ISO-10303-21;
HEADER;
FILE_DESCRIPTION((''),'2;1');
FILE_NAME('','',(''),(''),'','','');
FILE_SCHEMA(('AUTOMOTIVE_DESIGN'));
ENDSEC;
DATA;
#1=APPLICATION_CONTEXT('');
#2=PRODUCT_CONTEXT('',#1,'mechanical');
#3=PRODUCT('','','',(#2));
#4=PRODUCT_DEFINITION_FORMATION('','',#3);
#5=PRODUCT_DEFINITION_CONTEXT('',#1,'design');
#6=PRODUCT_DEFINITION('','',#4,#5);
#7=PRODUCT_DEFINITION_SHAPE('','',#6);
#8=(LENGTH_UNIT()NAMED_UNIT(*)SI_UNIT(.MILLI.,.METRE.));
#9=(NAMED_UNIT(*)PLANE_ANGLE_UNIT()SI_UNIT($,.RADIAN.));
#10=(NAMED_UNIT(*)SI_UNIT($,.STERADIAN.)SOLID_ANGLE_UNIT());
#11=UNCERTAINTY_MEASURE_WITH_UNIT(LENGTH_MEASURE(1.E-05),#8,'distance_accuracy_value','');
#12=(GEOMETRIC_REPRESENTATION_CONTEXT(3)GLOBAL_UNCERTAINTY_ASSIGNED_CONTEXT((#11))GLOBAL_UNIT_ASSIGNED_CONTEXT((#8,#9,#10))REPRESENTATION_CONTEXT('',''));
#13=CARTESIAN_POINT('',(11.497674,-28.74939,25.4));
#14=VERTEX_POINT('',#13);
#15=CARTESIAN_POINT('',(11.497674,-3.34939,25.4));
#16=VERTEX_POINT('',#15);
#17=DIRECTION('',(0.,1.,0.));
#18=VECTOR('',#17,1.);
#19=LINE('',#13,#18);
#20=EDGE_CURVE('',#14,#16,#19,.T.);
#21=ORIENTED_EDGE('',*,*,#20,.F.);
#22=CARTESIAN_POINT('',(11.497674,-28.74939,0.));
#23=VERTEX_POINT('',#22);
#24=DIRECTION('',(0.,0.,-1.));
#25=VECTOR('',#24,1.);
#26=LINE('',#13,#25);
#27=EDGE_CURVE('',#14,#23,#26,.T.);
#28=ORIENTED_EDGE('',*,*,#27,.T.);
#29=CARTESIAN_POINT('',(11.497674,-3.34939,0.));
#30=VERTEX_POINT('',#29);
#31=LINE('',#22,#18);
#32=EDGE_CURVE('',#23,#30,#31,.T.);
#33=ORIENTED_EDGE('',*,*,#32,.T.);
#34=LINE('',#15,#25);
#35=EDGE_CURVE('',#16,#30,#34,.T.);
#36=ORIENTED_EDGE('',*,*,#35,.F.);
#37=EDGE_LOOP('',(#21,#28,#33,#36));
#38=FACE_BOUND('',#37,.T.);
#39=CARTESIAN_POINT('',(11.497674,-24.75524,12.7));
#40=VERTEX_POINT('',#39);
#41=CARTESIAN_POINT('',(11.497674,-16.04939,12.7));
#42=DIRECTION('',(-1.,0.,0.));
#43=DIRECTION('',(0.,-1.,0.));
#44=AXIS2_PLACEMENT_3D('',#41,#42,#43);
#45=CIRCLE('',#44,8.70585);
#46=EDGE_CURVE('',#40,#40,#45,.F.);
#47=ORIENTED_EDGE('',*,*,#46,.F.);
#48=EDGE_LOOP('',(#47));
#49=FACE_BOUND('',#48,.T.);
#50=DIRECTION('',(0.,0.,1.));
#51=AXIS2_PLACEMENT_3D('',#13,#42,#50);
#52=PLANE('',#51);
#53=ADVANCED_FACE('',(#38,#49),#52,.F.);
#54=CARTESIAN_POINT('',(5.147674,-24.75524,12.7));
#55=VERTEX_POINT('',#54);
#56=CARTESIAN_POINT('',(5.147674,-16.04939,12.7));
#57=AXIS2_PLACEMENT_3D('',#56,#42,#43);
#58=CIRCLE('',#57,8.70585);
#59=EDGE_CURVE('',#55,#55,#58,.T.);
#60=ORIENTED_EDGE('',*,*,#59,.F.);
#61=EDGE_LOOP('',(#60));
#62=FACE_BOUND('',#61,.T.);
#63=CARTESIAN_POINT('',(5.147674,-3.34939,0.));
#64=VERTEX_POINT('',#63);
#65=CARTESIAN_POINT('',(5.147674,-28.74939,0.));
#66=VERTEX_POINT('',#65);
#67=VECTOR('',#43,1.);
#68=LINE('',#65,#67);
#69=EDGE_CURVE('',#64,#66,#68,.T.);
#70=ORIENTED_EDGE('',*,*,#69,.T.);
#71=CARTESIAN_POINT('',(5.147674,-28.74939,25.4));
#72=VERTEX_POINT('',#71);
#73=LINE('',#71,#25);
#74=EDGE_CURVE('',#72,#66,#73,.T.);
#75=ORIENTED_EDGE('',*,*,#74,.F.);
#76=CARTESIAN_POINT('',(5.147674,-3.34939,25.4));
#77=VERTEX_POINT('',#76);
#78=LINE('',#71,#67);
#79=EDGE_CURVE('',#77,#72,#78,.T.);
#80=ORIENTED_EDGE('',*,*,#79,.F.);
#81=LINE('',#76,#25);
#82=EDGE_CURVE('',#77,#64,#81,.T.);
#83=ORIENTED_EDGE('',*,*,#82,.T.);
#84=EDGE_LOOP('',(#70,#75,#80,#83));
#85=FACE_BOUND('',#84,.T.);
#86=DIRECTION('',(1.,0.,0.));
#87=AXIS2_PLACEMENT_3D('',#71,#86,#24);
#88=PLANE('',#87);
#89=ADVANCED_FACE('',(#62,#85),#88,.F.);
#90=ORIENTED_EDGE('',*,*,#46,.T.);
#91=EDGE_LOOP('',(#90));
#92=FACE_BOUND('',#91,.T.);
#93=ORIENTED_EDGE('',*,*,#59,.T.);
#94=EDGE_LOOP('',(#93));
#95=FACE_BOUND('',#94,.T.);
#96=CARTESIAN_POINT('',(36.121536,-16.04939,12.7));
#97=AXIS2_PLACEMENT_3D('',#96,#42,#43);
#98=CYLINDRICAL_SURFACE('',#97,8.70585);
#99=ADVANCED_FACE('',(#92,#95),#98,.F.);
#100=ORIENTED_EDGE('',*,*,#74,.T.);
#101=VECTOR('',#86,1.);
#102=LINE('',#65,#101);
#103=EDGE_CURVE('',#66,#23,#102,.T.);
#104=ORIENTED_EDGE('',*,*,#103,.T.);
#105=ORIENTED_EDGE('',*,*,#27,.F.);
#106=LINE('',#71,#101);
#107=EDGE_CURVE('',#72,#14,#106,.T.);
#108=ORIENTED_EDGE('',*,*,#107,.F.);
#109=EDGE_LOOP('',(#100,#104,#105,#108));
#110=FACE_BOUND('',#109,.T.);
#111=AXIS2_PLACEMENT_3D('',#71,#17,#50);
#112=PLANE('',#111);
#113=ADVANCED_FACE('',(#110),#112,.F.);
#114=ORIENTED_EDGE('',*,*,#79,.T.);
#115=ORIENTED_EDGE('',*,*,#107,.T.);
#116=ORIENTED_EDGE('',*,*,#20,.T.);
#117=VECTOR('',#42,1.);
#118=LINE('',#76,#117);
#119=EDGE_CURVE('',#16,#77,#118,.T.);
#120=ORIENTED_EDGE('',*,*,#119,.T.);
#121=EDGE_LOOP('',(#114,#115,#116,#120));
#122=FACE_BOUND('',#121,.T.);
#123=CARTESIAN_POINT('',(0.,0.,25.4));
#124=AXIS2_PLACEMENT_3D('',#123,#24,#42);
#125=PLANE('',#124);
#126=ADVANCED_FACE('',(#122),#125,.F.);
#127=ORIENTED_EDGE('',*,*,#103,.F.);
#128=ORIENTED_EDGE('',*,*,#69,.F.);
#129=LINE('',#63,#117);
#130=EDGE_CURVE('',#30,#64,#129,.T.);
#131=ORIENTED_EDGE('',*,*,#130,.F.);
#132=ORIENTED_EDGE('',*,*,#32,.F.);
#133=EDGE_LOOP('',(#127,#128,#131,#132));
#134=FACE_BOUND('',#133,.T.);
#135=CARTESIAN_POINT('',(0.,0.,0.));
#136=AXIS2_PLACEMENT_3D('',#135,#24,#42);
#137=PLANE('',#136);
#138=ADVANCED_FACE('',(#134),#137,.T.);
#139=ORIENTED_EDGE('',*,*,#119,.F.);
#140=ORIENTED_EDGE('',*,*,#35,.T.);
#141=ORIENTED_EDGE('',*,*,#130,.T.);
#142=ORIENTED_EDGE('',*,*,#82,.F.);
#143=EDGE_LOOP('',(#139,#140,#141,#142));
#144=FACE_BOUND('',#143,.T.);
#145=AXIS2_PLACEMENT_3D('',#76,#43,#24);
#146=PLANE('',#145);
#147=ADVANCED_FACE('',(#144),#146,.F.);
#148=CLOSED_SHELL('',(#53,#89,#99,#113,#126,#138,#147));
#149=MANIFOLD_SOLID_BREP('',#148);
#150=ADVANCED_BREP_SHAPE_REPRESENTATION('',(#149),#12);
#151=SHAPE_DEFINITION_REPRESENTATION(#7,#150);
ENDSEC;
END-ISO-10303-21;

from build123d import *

# Parameters (mm, degrees)
SKETCH1_W           = 6.35
SKETCH1_H           = 25.4
BOSS_EXTRUDE1_DEPTH = 25.4
SKETCH4_R           = 6.441586538
CUT_EXTRUDE1_DEPTH  = 6.35
CUT_EXTRUDE2_REACH  = 8.35
SKETCH3_R           = 8.70585


with BuildPart() as part:
    # Sketch1 → Boss-Extrude1 (new body)
    with BuildSketch(Plane.XY):
        with Locations((8.322674216, -16.049389649)):
            Rectangle(SKETCH1_W, SKETCH1_H)
    extrude(amount=BOSS_EXTRUDE1_DEPTH)

    # Sketch4 → Cut-Extrude1 (cut)
    with BuildSketch(Plane.ZY.offset(-5.147674216)):
        with Locations((12.7, -16.049389649)):
            Circle(SKETCH4_R)
    extrude(amount=-CUT_EXTRUDE1_DEPTH, mode=Mode.SUBTRACT)

    # Sketch3 → Cut-Extrude2 (cut, up to next)
    with BuildSketch(Plane.ZY.offset(-5.147674216), mode=Mode.PRIVATE) as cut_extrude2_sk1:
        with Locations((12.7, -16.049389649)):
            Circle(SKETCH3_R)
    cut_extrude2_tool1 = extrude(cut_extrude2_sk1.sketch, amount=-CUT_EXTRUDE2_REACH, mode=Mode.PRIVATE) & part.part
    add(cut_extrude2_tool1.solids().sort_by_distance((5.147674, -16.04939, 12.7))[0], mode=Mode.SUBTRACT)


solid = part.part
